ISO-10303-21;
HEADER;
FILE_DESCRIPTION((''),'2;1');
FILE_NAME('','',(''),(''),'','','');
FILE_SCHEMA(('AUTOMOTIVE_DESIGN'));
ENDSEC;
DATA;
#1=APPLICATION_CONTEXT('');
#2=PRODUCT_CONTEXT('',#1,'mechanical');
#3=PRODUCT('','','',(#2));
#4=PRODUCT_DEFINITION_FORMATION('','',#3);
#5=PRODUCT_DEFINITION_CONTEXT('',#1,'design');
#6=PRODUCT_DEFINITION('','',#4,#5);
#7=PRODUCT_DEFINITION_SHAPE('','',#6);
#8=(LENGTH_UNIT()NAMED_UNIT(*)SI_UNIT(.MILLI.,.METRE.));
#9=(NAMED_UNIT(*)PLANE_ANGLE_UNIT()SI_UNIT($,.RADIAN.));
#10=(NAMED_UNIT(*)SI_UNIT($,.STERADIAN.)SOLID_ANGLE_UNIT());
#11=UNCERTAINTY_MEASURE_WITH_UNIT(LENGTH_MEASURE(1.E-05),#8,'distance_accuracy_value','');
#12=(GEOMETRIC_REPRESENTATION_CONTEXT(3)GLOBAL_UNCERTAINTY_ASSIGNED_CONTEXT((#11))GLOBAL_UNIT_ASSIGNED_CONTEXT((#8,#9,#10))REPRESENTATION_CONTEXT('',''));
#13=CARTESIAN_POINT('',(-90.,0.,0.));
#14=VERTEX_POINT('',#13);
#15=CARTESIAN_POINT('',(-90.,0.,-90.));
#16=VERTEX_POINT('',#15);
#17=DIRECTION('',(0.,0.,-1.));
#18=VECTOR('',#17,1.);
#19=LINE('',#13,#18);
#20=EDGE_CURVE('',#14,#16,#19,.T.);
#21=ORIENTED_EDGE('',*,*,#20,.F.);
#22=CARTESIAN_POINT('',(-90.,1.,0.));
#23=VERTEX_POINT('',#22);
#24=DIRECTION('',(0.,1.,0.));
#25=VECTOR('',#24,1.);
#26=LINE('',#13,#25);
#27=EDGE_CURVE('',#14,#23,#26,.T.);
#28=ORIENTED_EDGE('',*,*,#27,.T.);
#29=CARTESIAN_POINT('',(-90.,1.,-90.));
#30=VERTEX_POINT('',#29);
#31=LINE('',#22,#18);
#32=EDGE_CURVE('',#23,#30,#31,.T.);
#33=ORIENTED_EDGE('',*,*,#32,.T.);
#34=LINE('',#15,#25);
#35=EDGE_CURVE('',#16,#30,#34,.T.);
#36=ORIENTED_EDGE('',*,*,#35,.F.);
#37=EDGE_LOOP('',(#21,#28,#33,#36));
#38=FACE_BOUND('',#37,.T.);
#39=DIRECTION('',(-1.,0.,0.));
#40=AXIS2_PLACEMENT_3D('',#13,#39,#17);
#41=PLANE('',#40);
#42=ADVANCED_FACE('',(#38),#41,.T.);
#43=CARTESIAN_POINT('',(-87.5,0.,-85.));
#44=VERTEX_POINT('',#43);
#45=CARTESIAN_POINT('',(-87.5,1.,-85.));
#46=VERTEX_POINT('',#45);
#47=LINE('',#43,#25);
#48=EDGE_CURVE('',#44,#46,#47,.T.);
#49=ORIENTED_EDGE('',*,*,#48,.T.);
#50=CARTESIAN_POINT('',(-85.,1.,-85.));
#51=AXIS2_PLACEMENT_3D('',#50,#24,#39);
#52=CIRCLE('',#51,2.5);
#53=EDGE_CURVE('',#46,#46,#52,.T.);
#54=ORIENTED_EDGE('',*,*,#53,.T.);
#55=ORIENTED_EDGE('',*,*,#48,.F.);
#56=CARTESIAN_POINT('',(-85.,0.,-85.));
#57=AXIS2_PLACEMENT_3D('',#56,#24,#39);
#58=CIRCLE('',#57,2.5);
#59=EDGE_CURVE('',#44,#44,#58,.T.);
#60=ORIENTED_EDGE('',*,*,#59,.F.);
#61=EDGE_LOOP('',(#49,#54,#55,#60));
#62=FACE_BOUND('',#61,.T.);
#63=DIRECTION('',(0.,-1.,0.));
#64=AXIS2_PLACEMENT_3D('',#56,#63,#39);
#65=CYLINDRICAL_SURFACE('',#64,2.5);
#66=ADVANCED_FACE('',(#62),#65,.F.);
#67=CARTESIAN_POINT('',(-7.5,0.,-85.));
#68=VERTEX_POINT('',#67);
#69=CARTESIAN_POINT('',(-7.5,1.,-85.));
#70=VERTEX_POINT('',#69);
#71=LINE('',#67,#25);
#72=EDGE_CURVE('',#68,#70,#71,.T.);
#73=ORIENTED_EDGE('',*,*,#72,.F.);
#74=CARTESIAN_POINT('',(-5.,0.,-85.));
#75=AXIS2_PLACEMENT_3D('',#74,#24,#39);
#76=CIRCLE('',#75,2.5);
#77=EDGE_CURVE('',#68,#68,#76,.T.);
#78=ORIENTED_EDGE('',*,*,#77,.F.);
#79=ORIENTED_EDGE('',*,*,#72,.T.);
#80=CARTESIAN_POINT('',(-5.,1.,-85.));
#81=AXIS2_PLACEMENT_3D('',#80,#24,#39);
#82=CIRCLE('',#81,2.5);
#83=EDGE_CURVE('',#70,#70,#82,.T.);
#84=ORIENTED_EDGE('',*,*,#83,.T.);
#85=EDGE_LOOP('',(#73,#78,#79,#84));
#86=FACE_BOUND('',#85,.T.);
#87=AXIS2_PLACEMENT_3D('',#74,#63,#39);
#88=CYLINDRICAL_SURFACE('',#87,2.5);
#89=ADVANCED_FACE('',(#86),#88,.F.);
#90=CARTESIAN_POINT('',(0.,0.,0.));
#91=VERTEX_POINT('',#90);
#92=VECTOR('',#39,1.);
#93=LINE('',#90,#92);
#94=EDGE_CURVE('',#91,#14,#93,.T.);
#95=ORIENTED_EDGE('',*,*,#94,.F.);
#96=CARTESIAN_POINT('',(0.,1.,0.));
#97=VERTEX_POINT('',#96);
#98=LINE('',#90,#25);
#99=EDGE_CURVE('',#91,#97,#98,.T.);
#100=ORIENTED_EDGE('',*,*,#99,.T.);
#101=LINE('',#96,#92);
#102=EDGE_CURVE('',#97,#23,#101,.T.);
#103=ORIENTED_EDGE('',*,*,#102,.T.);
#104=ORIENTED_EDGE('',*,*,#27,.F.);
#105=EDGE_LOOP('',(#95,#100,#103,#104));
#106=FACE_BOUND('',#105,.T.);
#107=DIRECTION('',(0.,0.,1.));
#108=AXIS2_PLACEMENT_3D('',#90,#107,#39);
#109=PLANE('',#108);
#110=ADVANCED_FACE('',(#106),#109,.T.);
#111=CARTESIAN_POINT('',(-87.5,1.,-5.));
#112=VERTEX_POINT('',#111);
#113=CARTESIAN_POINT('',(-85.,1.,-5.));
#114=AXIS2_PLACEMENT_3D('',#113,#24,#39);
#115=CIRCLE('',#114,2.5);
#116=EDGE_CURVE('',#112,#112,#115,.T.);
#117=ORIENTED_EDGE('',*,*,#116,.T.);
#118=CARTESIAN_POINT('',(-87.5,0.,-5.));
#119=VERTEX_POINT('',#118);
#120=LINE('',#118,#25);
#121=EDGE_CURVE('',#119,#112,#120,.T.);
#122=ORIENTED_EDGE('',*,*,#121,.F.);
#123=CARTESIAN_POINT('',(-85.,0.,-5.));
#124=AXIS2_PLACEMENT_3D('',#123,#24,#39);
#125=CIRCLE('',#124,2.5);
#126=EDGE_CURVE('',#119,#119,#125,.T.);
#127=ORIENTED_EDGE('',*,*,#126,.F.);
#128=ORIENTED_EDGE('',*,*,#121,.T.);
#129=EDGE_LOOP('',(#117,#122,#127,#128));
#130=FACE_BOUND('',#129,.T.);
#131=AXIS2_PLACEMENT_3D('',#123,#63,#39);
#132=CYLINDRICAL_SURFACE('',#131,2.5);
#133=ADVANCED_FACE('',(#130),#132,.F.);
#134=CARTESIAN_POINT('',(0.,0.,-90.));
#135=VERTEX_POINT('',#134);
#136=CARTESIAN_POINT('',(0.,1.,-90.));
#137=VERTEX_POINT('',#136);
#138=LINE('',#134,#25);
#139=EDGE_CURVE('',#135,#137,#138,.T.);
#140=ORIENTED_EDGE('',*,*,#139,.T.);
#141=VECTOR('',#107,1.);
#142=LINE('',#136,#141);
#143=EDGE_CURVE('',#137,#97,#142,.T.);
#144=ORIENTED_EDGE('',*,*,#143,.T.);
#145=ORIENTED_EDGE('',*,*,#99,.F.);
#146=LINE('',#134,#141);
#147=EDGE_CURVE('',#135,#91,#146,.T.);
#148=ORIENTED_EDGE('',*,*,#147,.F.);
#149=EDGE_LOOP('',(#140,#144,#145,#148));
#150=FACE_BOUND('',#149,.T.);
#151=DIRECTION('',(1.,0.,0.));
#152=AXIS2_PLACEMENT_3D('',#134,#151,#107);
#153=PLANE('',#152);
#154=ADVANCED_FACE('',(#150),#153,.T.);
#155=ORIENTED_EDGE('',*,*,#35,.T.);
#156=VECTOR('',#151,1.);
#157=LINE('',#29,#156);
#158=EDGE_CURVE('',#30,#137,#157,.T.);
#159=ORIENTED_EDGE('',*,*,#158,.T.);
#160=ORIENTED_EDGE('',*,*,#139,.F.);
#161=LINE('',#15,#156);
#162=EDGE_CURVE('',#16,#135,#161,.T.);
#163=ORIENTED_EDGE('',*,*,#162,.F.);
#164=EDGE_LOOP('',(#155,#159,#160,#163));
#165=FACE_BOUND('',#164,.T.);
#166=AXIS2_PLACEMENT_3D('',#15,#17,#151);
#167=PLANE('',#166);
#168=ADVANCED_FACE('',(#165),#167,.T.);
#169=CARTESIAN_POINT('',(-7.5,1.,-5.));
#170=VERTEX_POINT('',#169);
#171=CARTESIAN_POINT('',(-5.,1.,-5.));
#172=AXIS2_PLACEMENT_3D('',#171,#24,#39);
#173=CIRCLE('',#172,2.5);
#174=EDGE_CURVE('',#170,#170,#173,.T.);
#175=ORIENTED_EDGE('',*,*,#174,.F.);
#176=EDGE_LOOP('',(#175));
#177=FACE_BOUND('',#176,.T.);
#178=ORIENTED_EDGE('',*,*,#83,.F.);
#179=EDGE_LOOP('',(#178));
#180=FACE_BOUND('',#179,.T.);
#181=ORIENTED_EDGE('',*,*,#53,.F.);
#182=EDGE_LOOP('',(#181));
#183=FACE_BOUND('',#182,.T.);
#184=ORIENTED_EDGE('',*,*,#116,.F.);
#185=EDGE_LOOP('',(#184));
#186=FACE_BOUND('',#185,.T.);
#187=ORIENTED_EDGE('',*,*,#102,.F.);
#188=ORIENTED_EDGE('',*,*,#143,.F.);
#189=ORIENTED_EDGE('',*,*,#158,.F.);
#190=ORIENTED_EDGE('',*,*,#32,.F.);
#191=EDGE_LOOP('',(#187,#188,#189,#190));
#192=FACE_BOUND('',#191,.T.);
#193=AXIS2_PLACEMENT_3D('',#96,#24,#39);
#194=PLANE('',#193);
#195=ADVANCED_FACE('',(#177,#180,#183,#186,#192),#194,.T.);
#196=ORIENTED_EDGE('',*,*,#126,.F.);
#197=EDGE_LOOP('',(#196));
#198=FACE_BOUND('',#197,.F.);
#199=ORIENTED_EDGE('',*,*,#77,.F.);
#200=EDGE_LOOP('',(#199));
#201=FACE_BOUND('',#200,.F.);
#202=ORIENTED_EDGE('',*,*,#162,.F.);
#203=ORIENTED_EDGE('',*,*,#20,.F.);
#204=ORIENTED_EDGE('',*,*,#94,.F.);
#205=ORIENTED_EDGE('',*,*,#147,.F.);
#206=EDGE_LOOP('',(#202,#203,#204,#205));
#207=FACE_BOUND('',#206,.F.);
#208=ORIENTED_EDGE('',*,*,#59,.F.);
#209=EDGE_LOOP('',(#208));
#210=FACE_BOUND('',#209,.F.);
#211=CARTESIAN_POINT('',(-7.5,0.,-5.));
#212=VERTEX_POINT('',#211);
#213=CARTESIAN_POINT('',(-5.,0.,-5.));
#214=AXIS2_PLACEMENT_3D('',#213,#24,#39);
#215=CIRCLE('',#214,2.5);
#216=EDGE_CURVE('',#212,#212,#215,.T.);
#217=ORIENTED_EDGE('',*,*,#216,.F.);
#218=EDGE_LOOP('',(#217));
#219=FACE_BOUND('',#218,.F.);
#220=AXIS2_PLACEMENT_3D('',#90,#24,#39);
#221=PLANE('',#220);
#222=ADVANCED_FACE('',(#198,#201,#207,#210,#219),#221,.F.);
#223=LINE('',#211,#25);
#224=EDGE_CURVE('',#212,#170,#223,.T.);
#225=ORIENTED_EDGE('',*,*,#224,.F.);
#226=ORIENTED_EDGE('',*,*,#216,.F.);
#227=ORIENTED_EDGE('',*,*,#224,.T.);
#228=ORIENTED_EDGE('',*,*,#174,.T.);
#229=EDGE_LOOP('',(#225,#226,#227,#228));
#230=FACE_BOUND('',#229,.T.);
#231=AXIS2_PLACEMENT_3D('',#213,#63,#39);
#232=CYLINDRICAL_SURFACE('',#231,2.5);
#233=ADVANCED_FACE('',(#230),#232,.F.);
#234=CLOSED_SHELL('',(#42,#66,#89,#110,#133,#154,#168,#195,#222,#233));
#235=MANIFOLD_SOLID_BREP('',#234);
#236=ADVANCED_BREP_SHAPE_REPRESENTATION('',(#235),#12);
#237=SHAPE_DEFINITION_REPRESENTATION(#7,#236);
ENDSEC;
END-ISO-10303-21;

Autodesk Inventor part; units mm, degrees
ref_plane "YZ Plane" through (0, 0, 0) normal (1, 0, 0) x (0, 1, 0)
ref_plane "XZ Plane" through (0, 0, 0) normal (0, 1, 0) x (-1, 0, 0)
ref_plane "XY Plane" through (0, 0, 0) normal (0, 0, 1) x (1, 0, 0)
sketch "Эскиз1" plane through (0, 0, 0) normal (0, 1, 0) x (-1, 0, 0)
  line L0 (0, 0) -> (90, 0)
  line L1 (90, 0) -> (90, -90)
  line L2 (90, -90) -> (0, -90)
  line L3 (0, -90) -> (0, 0)
  circle A0 centre (85, -5) radius 2.5
  circle A1 centre (85, -85) radius 2.5
  circle A2 centre (5, -5) radius 2.5
  circle A3 centre (5, -85) radius 2.5
  dimension "d0" = 90
  dimension "d1" = 90
  dimension "d2" = 5
  dimension "d3" = 5
  dimension "d4" = 5
  dimension "d5" = 5
  dimension "d6" = 80
  dimension "d7" = 5
  dimension "d8" = 5
  dimension "d9" = 5
  dimension "d10" = 5
  dimension "d11" = 5
  dimension "d12" = 5
  dimension "d13" = 5
extrude "Выдавливание1" add sketch "Эскиз1" along normal blind 1
properties part number "площадка" material "Пластик ПЭТ"
